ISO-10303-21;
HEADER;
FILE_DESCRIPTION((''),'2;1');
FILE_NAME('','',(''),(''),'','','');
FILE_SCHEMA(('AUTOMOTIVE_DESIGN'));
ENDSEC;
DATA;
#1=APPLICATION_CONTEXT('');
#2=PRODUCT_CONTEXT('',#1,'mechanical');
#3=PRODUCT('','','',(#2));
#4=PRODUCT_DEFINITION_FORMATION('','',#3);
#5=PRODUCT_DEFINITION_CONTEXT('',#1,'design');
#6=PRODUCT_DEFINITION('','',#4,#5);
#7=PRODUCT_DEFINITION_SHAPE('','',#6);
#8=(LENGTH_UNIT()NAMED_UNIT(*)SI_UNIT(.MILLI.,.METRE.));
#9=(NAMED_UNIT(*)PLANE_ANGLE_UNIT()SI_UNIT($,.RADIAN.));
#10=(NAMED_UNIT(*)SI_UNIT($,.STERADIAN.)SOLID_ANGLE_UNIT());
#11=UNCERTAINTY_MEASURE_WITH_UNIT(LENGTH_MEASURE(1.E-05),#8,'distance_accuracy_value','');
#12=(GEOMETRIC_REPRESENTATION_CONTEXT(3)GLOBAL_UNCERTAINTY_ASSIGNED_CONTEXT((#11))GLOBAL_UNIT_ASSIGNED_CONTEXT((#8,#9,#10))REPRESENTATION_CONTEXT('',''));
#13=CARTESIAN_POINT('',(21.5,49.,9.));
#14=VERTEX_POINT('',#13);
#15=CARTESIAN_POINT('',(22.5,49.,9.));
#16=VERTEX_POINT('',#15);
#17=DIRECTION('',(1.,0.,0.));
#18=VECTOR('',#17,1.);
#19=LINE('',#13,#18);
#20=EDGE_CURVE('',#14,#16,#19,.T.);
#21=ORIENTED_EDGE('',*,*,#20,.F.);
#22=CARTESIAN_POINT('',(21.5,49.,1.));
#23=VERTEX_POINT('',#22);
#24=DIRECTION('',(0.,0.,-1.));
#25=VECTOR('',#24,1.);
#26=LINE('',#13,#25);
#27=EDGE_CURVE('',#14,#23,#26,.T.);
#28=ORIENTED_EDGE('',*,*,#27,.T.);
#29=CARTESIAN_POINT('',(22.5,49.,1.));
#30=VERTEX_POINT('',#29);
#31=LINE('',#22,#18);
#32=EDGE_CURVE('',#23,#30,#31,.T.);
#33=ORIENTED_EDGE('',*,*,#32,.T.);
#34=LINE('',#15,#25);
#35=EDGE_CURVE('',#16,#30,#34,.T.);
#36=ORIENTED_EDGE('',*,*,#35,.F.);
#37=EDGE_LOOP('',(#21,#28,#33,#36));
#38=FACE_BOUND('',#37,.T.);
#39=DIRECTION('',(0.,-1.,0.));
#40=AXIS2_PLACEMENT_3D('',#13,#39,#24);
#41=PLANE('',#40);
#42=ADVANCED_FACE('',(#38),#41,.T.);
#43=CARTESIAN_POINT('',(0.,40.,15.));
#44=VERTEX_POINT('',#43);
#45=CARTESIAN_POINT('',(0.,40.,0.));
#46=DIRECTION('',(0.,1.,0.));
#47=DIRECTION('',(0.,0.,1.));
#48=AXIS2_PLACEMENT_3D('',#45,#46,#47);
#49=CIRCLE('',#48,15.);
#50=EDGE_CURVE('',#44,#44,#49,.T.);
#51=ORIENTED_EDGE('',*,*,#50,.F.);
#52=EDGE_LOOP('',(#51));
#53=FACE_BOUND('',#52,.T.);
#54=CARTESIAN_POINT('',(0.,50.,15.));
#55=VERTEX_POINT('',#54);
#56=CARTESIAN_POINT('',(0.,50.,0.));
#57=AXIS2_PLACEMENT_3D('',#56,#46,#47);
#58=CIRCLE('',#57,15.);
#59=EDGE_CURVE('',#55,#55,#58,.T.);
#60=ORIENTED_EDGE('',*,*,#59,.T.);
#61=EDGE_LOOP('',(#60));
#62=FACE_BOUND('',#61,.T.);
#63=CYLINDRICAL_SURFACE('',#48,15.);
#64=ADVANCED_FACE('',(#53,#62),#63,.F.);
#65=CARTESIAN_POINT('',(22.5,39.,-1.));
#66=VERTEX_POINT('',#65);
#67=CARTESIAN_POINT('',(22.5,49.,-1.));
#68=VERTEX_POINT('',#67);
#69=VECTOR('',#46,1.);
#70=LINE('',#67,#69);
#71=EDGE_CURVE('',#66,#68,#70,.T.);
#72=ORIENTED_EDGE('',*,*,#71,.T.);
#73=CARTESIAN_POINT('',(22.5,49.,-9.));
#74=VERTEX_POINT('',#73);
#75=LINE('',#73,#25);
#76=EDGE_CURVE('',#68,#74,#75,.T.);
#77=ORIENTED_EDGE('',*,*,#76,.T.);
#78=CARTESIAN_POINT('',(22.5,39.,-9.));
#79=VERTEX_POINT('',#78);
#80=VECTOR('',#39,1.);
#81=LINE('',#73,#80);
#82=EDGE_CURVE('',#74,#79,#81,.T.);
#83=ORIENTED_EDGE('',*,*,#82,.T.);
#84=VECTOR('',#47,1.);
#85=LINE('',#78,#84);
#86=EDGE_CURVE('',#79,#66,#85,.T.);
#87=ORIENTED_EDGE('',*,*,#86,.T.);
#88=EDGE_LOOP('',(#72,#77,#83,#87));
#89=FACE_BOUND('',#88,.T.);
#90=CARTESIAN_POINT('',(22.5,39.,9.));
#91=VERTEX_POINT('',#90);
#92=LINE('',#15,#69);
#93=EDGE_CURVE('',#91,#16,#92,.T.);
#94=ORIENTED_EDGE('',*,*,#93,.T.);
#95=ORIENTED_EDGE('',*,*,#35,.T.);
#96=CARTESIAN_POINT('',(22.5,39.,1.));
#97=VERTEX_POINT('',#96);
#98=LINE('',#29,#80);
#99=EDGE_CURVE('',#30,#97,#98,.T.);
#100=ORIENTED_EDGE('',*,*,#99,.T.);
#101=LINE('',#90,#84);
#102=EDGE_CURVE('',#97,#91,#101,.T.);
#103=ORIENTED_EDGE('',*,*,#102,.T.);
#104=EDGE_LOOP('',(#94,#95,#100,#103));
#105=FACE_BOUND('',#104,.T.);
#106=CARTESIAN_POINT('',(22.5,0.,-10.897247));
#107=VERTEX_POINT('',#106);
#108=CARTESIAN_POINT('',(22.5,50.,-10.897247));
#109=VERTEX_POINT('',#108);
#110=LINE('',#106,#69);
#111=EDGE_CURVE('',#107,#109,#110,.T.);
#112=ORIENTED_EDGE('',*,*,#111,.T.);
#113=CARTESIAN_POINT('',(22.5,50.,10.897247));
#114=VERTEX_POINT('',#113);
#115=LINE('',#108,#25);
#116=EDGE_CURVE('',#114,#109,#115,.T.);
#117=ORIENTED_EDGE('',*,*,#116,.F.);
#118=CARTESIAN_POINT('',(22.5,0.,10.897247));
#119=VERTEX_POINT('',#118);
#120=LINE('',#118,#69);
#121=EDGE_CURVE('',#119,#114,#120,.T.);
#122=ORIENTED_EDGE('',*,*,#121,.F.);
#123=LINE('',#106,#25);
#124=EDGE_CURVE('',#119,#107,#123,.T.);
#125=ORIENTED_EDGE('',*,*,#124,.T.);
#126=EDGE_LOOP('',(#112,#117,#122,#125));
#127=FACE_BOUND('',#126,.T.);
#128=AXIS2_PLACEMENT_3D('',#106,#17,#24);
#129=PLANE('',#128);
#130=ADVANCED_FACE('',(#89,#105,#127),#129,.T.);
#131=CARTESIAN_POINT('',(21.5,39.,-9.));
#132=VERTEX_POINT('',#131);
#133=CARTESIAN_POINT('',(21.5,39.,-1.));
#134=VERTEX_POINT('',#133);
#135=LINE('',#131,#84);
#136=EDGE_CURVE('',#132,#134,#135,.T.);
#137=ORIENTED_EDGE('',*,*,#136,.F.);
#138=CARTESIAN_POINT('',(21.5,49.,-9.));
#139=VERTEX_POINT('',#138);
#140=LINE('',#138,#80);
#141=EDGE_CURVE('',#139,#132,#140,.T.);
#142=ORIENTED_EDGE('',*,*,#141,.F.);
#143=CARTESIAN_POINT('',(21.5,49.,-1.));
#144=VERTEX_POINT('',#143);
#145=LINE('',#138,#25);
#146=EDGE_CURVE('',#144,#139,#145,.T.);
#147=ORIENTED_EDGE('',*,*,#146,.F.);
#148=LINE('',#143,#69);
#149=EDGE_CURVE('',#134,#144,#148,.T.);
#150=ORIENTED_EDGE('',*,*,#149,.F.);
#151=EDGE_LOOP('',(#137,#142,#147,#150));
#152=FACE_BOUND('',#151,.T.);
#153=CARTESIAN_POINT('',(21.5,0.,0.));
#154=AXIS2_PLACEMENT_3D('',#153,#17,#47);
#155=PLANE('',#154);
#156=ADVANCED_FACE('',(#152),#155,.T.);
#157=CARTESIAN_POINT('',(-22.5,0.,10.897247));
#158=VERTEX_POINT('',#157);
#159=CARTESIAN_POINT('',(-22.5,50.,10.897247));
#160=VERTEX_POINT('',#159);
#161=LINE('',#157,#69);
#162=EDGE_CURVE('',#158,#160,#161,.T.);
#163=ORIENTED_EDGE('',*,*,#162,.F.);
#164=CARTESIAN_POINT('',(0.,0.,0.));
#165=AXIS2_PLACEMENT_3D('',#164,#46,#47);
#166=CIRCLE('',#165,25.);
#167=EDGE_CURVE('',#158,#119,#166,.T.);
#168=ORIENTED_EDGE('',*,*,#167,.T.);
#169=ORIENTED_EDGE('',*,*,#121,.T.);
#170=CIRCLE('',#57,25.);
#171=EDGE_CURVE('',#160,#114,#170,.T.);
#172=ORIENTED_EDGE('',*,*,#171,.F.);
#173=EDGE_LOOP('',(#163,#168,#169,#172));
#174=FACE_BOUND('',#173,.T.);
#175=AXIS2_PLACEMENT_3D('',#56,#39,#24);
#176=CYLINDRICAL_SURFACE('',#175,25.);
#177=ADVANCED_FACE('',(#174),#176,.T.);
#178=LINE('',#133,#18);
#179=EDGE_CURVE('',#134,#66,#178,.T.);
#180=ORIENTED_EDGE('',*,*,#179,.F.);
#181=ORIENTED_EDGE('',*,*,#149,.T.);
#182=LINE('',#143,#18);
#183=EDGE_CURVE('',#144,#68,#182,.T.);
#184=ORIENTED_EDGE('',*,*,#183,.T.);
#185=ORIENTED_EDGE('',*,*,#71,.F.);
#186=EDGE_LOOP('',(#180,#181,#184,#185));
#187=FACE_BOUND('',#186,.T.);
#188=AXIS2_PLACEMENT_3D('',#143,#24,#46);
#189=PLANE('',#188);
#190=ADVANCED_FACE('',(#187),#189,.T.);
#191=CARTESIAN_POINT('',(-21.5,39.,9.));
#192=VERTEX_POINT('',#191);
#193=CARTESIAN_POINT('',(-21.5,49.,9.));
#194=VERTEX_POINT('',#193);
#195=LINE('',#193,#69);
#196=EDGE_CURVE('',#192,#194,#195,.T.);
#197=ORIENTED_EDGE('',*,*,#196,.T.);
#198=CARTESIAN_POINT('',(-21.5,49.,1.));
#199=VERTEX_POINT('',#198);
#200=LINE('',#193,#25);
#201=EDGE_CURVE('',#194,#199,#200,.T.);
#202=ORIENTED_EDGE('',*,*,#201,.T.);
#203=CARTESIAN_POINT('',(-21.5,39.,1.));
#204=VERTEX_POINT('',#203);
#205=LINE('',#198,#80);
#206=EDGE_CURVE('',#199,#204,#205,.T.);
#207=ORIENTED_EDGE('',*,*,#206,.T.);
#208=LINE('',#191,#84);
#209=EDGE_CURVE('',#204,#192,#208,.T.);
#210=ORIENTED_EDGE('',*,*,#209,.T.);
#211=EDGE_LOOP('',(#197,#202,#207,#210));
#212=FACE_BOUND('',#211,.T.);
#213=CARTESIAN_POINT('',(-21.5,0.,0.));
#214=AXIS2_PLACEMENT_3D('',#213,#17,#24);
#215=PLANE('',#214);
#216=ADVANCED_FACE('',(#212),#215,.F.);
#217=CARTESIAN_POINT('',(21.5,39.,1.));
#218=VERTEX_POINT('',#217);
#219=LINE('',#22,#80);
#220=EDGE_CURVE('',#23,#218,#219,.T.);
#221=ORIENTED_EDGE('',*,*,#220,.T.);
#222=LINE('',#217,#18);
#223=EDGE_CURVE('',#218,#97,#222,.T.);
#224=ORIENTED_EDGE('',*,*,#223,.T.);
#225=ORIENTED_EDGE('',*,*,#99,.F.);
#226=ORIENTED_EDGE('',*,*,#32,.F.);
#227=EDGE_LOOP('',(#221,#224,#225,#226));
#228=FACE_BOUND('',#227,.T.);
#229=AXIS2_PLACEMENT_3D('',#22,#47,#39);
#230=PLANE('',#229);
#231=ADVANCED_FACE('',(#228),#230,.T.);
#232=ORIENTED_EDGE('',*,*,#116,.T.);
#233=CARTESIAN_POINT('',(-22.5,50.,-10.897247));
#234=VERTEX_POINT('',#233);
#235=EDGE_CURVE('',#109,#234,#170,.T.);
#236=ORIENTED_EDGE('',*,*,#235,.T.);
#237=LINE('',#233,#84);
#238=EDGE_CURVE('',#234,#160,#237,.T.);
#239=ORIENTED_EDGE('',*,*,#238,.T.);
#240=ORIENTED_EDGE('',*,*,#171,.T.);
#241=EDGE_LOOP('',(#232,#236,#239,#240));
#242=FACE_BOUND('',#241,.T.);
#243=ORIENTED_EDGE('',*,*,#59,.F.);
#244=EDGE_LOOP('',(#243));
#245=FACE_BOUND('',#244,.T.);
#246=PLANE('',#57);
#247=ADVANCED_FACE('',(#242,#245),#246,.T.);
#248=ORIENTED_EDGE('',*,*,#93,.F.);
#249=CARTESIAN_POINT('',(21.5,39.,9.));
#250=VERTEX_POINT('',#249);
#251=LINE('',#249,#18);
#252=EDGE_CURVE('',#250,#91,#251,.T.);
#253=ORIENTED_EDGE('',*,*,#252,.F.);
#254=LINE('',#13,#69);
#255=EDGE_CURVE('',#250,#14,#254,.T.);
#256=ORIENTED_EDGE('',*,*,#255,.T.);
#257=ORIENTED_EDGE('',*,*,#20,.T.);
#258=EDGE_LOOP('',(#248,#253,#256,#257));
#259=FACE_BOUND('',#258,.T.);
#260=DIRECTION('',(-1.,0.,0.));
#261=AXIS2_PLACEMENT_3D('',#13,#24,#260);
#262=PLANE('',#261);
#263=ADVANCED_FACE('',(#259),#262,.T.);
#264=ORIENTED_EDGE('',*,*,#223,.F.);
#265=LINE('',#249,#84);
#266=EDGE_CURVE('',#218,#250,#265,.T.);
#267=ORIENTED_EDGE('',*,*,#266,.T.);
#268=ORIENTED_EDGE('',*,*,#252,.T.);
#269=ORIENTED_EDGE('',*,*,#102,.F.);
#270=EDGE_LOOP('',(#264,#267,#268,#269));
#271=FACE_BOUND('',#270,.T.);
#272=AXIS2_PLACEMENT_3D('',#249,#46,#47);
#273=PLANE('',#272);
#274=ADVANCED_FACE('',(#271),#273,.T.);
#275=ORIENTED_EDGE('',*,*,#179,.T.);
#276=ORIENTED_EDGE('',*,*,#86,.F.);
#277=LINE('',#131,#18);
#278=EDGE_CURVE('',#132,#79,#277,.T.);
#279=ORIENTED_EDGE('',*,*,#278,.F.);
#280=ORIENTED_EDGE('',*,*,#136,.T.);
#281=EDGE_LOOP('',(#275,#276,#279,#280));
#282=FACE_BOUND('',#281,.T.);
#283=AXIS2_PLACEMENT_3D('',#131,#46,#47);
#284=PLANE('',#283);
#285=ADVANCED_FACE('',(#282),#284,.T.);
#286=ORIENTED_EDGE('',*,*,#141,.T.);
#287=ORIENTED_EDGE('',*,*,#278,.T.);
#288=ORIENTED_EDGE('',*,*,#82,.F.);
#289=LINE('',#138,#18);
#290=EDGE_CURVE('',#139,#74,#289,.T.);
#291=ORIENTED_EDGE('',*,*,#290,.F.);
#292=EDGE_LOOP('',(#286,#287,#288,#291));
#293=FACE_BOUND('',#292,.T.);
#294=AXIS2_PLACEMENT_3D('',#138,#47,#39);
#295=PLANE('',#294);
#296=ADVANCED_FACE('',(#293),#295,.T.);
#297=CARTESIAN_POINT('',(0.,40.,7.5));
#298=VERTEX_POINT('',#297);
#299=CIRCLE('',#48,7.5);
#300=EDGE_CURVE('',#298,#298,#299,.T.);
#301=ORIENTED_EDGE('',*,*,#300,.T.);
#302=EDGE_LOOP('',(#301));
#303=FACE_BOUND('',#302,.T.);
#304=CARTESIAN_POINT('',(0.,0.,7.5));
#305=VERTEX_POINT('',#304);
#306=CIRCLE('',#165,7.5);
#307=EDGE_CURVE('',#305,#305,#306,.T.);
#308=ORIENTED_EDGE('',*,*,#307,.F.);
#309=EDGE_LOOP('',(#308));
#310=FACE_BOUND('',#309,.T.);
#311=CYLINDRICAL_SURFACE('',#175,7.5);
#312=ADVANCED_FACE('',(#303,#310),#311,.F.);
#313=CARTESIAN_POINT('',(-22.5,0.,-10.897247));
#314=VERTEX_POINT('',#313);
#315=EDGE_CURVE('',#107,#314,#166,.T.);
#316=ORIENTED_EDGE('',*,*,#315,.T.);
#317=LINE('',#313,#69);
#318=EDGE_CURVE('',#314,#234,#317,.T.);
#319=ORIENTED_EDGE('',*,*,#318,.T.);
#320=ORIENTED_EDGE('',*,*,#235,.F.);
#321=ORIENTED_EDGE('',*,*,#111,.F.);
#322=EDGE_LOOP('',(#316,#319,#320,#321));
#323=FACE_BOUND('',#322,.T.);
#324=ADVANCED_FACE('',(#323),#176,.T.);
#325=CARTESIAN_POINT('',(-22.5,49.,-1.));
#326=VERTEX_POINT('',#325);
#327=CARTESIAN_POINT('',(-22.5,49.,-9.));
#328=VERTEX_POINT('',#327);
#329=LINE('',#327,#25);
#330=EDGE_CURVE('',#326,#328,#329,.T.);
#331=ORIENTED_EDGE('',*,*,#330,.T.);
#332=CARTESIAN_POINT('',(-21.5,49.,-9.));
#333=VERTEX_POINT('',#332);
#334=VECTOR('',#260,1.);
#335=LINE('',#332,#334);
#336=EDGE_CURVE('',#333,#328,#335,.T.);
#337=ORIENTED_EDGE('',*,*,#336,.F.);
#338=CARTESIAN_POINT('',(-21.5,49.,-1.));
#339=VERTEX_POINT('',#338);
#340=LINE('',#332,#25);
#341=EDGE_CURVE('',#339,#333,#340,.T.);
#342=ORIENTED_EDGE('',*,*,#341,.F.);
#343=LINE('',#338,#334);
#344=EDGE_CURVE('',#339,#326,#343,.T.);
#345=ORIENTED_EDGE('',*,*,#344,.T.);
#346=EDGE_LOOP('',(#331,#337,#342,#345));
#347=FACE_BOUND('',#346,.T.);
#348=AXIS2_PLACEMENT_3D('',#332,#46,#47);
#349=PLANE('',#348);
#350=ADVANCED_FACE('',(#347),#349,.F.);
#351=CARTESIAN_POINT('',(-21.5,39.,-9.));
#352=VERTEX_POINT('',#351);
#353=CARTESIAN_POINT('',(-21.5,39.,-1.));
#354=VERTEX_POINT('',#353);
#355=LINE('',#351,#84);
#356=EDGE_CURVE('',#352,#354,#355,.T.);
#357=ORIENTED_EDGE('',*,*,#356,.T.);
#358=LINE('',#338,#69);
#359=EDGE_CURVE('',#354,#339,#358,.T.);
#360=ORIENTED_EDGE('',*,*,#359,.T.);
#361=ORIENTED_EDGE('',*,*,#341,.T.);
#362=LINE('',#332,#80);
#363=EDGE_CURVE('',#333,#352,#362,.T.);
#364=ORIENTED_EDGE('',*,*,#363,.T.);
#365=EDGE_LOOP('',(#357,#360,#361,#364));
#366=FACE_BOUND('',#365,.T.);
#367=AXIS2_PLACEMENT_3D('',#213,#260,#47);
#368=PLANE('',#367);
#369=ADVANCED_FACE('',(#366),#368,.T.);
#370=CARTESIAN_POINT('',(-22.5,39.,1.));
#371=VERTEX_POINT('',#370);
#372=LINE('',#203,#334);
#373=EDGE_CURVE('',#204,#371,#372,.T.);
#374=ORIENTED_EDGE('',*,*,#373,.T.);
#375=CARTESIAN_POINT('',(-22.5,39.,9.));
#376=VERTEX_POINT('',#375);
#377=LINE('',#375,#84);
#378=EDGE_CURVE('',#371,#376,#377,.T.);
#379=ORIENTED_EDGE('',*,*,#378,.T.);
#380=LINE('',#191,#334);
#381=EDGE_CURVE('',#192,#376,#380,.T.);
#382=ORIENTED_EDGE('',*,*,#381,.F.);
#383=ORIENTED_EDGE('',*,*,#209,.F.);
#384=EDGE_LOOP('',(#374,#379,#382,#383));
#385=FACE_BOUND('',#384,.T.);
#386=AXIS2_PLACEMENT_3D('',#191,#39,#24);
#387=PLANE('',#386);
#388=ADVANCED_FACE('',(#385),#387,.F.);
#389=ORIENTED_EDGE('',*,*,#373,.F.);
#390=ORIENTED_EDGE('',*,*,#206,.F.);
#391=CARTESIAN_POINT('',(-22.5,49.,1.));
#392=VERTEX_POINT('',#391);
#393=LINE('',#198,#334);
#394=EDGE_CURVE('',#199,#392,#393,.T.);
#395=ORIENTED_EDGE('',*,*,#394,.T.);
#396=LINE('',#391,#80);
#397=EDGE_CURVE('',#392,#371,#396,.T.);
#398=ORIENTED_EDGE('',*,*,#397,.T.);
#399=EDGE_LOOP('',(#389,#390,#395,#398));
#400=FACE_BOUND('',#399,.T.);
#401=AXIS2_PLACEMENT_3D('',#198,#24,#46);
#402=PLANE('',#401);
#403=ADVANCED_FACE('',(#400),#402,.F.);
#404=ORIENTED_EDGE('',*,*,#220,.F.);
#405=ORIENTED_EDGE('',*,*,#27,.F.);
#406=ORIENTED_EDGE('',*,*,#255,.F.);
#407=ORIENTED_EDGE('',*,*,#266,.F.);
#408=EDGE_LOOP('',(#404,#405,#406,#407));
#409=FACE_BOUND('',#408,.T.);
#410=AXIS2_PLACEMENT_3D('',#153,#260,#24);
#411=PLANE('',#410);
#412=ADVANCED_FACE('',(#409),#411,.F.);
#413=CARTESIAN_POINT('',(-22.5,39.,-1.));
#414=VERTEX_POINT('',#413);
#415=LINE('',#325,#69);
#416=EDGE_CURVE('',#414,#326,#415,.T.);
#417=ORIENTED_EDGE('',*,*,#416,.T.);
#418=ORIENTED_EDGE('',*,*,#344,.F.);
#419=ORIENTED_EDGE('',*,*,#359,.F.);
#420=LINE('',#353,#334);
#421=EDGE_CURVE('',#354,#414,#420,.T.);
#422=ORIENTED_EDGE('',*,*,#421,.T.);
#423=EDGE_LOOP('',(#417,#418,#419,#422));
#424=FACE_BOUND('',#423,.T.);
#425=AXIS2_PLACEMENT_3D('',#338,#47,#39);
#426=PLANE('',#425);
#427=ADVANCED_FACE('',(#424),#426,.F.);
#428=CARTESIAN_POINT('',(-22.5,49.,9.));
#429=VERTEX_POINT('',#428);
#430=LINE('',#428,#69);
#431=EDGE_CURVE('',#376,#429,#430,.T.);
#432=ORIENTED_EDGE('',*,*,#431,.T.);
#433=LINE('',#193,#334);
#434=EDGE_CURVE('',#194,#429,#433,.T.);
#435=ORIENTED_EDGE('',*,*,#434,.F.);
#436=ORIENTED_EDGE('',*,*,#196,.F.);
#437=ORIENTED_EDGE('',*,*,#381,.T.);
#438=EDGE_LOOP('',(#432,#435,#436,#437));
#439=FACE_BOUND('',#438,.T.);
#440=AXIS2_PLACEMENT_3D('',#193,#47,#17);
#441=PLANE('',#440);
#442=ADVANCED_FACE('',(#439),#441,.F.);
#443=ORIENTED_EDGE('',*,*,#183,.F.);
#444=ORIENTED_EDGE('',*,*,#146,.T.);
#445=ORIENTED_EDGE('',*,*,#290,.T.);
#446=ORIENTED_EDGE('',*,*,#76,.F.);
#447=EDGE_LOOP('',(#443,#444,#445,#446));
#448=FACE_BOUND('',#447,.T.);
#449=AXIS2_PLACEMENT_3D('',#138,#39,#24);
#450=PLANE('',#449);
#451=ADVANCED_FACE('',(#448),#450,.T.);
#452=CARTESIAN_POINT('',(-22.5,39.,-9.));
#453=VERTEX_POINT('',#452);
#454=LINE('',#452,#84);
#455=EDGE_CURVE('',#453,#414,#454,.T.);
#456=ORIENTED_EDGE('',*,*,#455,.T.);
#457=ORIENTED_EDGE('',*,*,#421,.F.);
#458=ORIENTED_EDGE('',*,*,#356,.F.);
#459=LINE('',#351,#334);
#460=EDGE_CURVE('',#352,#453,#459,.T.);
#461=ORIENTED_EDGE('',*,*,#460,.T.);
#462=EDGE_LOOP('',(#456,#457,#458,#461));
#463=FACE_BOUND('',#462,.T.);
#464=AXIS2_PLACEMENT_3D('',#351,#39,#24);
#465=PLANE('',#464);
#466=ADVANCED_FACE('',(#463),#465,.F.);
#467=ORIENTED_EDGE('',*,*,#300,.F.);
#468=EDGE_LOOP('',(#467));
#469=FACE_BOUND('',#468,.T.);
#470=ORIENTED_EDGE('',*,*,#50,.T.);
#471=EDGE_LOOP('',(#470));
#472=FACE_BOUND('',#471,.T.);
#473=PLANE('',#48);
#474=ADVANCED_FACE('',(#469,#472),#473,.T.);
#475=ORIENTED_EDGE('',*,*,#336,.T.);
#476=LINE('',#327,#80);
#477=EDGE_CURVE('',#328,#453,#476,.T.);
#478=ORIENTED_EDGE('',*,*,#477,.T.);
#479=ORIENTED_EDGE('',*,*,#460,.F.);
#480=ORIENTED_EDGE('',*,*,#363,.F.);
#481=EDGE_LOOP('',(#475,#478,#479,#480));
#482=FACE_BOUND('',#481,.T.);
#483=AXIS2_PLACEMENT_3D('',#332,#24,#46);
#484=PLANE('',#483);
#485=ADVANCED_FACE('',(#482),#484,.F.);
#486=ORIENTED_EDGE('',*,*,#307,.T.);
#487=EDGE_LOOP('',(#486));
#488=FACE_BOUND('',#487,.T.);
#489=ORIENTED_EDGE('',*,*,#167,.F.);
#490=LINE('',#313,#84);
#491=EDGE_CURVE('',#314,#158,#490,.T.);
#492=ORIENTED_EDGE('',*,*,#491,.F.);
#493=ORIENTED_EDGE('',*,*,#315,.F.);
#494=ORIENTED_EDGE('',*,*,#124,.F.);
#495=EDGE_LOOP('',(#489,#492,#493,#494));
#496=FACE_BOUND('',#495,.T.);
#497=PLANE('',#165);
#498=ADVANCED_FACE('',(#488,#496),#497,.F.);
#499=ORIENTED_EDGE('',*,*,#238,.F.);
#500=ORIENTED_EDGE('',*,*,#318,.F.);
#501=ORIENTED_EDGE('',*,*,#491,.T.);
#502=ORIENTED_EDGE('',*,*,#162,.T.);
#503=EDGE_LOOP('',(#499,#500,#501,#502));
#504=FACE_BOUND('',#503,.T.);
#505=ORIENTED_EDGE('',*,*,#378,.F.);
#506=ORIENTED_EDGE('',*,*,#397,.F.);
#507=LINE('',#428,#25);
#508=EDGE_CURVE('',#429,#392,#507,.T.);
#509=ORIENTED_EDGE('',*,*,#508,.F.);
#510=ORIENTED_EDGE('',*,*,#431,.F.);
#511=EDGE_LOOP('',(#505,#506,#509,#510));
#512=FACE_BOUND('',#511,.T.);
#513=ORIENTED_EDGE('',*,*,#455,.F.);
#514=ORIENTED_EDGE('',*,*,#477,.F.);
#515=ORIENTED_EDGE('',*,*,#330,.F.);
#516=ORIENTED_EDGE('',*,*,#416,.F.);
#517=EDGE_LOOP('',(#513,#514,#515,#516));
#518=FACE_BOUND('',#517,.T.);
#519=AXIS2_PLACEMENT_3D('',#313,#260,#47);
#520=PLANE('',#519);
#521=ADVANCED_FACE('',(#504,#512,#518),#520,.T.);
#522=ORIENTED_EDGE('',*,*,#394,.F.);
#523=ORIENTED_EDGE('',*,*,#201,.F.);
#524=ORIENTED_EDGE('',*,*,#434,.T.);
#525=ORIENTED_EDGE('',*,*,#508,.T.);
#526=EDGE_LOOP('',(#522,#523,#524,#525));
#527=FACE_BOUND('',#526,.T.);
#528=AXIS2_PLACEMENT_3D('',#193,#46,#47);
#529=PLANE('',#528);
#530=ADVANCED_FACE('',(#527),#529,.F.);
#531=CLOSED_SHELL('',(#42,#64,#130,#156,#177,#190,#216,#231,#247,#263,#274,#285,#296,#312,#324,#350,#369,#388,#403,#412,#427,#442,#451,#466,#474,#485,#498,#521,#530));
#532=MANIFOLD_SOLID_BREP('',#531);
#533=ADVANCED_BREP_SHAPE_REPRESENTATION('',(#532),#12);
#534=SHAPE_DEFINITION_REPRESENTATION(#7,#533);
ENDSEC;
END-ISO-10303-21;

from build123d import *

# Parameters (mm, degrees)
SKETCH_1_R          = 25
SKETCH_1_R_2        = 7.5
EXTRUDE_1_DEPTH     = 50
SKETCH_2_R          = 15
CUT_EXTRUDE_1_DEPTH = 10
SKETCH_3_OUTSIDE_W  = 69.32
SKETCH_3_OUTSIDE_H  = 69.32
CUT_EXTRUDE_2_DEPTH = 62.23724357
SKETCH_4_W          = 8
SKETCH_4_H          = 10
CUT_EXTRUDE_3_DEPTH = 1


with BuildPart() as part:
    # ｽｹｯﾁ1 → ﾎﾞｽ - 押し出し1 (new body)
    with BuildSketch(Plane(origin=(0, 0, 0), x_dir=(1, 0, 0), z_dir=(0, 1, 0))):
        with Locations(Location((0, 0, 0), (0, 0, 270))):
            Circle(SKETCH_1_R)
        with Locations(Location((0, 0, 0), (0, 0, 270))):
            Circle(SKETCH_1_R_2, mode=Mode.SUBTRACT)
    extrude(amount=EXTRUDE_1_DEPTH)

    # ｽｹｯﾁ2 → ｶｯﾄ - 押し出し1 (cut)
    with BuildSketch(Plane(origin=(0, 50, 0), x_dir=(1, 0, 0), z_dir=(0, 1, 0))):
        with Locations(Location((0, 0, 0), (0, 0, 270))):
            Circle(SKETCH_2_R)
    extrude(amount=-CUT_EXTRUDE_1_DEPTH, mode=Mode.SUBTRACT)

    # ｽｹｯﾁ3 outside → ｶｯﾄ - 押し出し2 (cut, through all)
    with BuildSketch(Plane(origin=(0, 50, 0), x_dir=(1, 0, 0), z_dir=(0, 1, 0))):
        Rectangle(SKETCH_3_OUTSIDE_W, SKETCH_3_OUTSIDE_H)
        with BuildLine():
            Line((-22.5, 10.897247359), (-22.5, -10.897247359))
            ThreePointArc((-22.5, -10.897247359), (0, -25), (22.5, -10.897247359))
            Line((22.5, -10.897247359), (22.5, 10.897247359))
            ThreePointArc((22.5, 10.897247359), (0, 25), (-22.5, 10.897247359))
        make_face(mode=Mode.SUBTRACT)
    extrude(amount=-CUT_EXTRUDE_2_DEPTH, mode=Mode.SUBTRACT)

    # ｽｹｯﾁ4 → ｶｯﾄ - 押し出し3 (cut)
    with BuildSketch(Plane.ZY.offset(22.5)):
        with Locations((-5, 44)):
            Rectangle(SKETCH_4_W, SKETCH_4_H)
        with Locations((5, 44)):
            Rectangle(SKETCH_4_W, SKETCH_4_H)
    cut_extrude_3 = extrude(amount=-CUT_EXTRUDE_3_DEPTH, mode=Mode.SUBTRACT)

    # ﾐﾗｰ1: ｶｯﾄ - 押し出し3 across plane
    add(cut_extrude_3.mirror(Plane(origin=(0, 0, 0), x_dir=(0, 0, 1), z_dir=(1, 0, 0))), mode=Mode.SUBTRACT)


solid = part.part
